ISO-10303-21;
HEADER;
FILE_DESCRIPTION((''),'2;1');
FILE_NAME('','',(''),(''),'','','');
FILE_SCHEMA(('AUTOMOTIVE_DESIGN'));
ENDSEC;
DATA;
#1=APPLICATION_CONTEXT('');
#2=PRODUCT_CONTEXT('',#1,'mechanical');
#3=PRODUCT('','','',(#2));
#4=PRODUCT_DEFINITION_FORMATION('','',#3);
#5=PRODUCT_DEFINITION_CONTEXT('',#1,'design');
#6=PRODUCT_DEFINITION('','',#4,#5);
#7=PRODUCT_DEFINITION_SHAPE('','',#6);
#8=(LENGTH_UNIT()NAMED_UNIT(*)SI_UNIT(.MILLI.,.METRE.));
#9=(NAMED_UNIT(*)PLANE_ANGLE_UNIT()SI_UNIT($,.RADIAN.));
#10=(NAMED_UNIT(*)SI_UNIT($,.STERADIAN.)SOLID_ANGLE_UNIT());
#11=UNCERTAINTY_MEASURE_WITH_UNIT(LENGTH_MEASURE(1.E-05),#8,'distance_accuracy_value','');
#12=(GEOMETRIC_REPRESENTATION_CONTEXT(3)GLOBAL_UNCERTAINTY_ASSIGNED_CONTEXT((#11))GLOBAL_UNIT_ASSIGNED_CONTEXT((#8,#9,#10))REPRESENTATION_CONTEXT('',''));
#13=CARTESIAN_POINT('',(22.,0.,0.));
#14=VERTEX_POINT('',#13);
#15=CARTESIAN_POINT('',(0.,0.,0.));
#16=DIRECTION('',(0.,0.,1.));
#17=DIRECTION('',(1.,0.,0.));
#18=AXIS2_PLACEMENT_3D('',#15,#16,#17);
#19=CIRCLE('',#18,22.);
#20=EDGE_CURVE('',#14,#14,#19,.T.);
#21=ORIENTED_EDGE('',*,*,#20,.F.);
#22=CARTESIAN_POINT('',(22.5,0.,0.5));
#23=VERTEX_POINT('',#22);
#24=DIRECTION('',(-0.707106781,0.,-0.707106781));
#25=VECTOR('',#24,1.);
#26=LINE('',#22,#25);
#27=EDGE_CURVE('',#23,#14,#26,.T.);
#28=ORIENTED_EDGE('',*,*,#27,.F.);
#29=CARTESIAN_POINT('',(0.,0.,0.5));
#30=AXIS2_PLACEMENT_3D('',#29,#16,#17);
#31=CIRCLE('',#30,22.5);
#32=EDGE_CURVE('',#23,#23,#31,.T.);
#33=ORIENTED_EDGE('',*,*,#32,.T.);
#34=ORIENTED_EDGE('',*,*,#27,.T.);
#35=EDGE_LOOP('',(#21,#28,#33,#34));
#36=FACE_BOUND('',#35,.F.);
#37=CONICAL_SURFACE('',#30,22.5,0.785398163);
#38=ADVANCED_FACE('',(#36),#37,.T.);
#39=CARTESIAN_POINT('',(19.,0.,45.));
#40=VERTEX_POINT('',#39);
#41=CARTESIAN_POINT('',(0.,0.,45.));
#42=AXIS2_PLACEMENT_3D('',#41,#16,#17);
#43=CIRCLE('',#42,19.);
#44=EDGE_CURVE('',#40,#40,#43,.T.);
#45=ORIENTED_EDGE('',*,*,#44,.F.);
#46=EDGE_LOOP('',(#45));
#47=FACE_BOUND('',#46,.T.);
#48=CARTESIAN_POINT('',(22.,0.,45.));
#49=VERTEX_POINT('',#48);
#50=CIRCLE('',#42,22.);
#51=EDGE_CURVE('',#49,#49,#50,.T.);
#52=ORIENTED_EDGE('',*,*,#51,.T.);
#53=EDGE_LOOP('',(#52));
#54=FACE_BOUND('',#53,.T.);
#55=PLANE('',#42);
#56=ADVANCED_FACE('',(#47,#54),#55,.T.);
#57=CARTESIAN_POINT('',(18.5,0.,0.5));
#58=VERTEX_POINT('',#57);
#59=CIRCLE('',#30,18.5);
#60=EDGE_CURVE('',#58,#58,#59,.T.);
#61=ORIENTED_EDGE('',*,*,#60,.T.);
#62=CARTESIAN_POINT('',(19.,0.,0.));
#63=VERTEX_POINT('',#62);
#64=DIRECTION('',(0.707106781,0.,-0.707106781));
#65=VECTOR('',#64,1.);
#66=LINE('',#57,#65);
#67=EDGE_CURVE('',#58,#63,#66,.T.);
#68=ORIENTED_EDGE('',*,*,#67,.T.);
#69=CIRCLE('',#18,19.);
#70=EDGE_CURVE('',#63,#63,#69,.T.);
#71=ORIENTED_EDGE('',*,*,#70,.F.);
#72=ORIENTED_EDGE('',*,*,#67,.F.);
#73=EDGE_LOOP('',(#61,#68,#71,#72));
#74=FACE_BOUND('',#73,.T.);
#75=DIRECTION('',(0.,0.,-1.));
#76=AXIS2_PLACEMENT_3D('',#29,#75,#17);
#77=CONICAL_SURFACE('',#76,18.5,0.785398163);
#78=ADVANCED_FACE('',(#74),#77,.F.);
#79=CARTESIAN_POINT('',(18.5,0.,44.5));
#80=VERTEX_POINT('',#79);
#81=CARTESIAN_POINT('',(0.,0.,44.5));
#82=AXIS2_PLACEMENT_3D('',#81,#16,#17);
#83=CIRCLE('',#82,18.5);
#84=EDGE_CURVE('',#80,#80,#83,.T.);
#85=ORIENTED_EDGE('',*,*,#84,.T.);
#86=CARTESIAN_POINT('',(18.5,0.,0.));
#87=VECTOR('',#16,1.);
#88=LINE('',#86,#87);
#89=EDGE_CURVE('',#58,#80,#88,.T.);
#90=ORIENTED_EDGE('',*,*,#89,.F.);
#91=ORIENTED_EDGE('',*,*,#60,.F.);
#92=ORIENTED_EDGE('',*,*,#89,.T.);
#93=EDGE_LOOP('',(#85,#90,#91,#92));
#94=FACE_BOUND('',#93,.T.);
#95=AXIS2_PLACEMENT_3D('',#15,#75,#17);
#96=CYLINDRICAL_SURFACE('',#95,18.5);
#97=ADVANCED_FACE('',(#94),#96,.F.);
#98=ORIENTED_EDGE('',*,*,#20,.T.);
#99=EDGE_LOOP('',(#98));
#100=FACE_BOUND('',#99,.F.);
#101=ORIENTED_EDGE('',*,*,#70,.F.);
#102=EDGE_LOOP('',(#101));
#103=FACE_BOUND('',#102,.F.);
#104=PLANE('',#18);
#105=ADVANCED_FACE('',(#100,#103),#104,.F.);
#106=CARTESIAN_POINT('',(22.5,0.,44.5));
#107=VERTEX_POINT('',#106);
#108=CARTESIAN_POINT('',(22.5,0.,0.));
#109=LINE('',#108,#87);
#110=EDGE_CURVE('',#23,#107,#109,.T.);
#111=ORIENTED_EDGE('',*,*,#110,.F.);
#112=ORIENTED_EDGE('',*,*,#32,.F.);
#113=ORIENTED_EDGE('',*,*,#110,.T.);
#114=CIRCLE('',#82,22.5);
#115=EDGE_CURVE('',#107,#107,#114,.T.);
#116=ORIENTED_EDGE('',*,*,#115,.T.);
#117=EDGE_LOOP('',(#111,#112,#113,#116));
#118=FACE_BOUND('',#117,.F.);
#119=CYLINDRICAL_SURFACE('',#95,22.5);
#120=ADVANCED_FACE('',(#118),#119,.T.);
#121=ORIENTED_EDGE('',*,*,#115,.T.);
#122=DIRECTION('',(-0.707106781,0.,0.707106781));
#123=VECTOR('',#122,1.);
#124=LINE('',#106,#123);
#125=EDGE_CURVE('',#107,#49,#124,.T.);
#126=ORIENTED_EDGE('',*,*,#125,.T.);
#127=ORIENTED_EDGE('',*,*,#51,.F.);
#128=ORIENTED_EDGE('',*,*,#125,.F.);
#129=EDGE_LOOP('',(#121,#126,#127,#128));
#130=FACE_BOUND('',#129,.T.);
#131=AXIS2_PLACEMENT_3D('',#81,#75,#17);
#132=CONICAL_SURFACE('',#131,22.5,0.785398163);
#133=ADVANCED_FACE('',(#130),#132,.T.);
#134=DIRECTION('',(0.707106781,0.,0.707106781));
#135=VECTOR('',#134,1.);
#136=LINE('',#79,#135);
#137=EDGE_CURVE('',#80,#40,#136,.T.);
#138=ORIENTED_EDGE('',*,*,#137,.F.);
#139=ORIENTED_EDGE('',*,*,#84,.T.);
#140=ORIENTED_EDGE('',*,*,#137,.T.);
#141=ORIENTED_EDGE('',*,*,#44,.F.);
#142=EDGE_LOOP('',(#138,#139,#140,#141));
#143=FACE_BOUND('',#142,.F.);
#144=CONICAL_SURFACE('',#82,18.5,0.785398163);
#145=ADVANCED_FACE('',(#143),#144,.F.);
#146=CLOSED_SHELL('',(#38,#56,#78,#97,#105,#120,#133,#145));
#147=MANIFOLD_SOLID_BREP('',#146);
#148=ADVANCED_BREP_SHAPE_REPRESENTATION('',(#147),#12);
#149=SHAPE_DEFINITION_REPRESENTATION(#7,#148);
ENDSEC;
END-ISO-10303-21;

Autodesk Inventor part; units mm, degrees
ref_plane "YZ Plane" through (0, 0, 0) normal (1, 0, 0) x (0, 1, 0)
ref_plane "XZ Plane" through (0, 0, 0) normal (0, 1, 0) x (-1, 0, 0)
ref_plane "XY Plane" through (0, 0, 0) normal (0, 0, 1) x (1, 0, 0)
sketch "草图1" plane through (0, 0, 0) normal (0, 0, 1) x (1, 0, 0)
  circle A0 centre (0, 0) radius 22.5
  circle A1 centre (0, 0) radius 18.5
extrude "拉伸1" add sketch "草图1" along normal blind 45
chamfer "倒角1" distance 0.5 angle 45 4 edges at (-18.5, 0, 45) (-18.5, 0, 0) (-22.5, 0, 45) (-22.5, 0, 0)
properties part number "my_attempt_v2"
